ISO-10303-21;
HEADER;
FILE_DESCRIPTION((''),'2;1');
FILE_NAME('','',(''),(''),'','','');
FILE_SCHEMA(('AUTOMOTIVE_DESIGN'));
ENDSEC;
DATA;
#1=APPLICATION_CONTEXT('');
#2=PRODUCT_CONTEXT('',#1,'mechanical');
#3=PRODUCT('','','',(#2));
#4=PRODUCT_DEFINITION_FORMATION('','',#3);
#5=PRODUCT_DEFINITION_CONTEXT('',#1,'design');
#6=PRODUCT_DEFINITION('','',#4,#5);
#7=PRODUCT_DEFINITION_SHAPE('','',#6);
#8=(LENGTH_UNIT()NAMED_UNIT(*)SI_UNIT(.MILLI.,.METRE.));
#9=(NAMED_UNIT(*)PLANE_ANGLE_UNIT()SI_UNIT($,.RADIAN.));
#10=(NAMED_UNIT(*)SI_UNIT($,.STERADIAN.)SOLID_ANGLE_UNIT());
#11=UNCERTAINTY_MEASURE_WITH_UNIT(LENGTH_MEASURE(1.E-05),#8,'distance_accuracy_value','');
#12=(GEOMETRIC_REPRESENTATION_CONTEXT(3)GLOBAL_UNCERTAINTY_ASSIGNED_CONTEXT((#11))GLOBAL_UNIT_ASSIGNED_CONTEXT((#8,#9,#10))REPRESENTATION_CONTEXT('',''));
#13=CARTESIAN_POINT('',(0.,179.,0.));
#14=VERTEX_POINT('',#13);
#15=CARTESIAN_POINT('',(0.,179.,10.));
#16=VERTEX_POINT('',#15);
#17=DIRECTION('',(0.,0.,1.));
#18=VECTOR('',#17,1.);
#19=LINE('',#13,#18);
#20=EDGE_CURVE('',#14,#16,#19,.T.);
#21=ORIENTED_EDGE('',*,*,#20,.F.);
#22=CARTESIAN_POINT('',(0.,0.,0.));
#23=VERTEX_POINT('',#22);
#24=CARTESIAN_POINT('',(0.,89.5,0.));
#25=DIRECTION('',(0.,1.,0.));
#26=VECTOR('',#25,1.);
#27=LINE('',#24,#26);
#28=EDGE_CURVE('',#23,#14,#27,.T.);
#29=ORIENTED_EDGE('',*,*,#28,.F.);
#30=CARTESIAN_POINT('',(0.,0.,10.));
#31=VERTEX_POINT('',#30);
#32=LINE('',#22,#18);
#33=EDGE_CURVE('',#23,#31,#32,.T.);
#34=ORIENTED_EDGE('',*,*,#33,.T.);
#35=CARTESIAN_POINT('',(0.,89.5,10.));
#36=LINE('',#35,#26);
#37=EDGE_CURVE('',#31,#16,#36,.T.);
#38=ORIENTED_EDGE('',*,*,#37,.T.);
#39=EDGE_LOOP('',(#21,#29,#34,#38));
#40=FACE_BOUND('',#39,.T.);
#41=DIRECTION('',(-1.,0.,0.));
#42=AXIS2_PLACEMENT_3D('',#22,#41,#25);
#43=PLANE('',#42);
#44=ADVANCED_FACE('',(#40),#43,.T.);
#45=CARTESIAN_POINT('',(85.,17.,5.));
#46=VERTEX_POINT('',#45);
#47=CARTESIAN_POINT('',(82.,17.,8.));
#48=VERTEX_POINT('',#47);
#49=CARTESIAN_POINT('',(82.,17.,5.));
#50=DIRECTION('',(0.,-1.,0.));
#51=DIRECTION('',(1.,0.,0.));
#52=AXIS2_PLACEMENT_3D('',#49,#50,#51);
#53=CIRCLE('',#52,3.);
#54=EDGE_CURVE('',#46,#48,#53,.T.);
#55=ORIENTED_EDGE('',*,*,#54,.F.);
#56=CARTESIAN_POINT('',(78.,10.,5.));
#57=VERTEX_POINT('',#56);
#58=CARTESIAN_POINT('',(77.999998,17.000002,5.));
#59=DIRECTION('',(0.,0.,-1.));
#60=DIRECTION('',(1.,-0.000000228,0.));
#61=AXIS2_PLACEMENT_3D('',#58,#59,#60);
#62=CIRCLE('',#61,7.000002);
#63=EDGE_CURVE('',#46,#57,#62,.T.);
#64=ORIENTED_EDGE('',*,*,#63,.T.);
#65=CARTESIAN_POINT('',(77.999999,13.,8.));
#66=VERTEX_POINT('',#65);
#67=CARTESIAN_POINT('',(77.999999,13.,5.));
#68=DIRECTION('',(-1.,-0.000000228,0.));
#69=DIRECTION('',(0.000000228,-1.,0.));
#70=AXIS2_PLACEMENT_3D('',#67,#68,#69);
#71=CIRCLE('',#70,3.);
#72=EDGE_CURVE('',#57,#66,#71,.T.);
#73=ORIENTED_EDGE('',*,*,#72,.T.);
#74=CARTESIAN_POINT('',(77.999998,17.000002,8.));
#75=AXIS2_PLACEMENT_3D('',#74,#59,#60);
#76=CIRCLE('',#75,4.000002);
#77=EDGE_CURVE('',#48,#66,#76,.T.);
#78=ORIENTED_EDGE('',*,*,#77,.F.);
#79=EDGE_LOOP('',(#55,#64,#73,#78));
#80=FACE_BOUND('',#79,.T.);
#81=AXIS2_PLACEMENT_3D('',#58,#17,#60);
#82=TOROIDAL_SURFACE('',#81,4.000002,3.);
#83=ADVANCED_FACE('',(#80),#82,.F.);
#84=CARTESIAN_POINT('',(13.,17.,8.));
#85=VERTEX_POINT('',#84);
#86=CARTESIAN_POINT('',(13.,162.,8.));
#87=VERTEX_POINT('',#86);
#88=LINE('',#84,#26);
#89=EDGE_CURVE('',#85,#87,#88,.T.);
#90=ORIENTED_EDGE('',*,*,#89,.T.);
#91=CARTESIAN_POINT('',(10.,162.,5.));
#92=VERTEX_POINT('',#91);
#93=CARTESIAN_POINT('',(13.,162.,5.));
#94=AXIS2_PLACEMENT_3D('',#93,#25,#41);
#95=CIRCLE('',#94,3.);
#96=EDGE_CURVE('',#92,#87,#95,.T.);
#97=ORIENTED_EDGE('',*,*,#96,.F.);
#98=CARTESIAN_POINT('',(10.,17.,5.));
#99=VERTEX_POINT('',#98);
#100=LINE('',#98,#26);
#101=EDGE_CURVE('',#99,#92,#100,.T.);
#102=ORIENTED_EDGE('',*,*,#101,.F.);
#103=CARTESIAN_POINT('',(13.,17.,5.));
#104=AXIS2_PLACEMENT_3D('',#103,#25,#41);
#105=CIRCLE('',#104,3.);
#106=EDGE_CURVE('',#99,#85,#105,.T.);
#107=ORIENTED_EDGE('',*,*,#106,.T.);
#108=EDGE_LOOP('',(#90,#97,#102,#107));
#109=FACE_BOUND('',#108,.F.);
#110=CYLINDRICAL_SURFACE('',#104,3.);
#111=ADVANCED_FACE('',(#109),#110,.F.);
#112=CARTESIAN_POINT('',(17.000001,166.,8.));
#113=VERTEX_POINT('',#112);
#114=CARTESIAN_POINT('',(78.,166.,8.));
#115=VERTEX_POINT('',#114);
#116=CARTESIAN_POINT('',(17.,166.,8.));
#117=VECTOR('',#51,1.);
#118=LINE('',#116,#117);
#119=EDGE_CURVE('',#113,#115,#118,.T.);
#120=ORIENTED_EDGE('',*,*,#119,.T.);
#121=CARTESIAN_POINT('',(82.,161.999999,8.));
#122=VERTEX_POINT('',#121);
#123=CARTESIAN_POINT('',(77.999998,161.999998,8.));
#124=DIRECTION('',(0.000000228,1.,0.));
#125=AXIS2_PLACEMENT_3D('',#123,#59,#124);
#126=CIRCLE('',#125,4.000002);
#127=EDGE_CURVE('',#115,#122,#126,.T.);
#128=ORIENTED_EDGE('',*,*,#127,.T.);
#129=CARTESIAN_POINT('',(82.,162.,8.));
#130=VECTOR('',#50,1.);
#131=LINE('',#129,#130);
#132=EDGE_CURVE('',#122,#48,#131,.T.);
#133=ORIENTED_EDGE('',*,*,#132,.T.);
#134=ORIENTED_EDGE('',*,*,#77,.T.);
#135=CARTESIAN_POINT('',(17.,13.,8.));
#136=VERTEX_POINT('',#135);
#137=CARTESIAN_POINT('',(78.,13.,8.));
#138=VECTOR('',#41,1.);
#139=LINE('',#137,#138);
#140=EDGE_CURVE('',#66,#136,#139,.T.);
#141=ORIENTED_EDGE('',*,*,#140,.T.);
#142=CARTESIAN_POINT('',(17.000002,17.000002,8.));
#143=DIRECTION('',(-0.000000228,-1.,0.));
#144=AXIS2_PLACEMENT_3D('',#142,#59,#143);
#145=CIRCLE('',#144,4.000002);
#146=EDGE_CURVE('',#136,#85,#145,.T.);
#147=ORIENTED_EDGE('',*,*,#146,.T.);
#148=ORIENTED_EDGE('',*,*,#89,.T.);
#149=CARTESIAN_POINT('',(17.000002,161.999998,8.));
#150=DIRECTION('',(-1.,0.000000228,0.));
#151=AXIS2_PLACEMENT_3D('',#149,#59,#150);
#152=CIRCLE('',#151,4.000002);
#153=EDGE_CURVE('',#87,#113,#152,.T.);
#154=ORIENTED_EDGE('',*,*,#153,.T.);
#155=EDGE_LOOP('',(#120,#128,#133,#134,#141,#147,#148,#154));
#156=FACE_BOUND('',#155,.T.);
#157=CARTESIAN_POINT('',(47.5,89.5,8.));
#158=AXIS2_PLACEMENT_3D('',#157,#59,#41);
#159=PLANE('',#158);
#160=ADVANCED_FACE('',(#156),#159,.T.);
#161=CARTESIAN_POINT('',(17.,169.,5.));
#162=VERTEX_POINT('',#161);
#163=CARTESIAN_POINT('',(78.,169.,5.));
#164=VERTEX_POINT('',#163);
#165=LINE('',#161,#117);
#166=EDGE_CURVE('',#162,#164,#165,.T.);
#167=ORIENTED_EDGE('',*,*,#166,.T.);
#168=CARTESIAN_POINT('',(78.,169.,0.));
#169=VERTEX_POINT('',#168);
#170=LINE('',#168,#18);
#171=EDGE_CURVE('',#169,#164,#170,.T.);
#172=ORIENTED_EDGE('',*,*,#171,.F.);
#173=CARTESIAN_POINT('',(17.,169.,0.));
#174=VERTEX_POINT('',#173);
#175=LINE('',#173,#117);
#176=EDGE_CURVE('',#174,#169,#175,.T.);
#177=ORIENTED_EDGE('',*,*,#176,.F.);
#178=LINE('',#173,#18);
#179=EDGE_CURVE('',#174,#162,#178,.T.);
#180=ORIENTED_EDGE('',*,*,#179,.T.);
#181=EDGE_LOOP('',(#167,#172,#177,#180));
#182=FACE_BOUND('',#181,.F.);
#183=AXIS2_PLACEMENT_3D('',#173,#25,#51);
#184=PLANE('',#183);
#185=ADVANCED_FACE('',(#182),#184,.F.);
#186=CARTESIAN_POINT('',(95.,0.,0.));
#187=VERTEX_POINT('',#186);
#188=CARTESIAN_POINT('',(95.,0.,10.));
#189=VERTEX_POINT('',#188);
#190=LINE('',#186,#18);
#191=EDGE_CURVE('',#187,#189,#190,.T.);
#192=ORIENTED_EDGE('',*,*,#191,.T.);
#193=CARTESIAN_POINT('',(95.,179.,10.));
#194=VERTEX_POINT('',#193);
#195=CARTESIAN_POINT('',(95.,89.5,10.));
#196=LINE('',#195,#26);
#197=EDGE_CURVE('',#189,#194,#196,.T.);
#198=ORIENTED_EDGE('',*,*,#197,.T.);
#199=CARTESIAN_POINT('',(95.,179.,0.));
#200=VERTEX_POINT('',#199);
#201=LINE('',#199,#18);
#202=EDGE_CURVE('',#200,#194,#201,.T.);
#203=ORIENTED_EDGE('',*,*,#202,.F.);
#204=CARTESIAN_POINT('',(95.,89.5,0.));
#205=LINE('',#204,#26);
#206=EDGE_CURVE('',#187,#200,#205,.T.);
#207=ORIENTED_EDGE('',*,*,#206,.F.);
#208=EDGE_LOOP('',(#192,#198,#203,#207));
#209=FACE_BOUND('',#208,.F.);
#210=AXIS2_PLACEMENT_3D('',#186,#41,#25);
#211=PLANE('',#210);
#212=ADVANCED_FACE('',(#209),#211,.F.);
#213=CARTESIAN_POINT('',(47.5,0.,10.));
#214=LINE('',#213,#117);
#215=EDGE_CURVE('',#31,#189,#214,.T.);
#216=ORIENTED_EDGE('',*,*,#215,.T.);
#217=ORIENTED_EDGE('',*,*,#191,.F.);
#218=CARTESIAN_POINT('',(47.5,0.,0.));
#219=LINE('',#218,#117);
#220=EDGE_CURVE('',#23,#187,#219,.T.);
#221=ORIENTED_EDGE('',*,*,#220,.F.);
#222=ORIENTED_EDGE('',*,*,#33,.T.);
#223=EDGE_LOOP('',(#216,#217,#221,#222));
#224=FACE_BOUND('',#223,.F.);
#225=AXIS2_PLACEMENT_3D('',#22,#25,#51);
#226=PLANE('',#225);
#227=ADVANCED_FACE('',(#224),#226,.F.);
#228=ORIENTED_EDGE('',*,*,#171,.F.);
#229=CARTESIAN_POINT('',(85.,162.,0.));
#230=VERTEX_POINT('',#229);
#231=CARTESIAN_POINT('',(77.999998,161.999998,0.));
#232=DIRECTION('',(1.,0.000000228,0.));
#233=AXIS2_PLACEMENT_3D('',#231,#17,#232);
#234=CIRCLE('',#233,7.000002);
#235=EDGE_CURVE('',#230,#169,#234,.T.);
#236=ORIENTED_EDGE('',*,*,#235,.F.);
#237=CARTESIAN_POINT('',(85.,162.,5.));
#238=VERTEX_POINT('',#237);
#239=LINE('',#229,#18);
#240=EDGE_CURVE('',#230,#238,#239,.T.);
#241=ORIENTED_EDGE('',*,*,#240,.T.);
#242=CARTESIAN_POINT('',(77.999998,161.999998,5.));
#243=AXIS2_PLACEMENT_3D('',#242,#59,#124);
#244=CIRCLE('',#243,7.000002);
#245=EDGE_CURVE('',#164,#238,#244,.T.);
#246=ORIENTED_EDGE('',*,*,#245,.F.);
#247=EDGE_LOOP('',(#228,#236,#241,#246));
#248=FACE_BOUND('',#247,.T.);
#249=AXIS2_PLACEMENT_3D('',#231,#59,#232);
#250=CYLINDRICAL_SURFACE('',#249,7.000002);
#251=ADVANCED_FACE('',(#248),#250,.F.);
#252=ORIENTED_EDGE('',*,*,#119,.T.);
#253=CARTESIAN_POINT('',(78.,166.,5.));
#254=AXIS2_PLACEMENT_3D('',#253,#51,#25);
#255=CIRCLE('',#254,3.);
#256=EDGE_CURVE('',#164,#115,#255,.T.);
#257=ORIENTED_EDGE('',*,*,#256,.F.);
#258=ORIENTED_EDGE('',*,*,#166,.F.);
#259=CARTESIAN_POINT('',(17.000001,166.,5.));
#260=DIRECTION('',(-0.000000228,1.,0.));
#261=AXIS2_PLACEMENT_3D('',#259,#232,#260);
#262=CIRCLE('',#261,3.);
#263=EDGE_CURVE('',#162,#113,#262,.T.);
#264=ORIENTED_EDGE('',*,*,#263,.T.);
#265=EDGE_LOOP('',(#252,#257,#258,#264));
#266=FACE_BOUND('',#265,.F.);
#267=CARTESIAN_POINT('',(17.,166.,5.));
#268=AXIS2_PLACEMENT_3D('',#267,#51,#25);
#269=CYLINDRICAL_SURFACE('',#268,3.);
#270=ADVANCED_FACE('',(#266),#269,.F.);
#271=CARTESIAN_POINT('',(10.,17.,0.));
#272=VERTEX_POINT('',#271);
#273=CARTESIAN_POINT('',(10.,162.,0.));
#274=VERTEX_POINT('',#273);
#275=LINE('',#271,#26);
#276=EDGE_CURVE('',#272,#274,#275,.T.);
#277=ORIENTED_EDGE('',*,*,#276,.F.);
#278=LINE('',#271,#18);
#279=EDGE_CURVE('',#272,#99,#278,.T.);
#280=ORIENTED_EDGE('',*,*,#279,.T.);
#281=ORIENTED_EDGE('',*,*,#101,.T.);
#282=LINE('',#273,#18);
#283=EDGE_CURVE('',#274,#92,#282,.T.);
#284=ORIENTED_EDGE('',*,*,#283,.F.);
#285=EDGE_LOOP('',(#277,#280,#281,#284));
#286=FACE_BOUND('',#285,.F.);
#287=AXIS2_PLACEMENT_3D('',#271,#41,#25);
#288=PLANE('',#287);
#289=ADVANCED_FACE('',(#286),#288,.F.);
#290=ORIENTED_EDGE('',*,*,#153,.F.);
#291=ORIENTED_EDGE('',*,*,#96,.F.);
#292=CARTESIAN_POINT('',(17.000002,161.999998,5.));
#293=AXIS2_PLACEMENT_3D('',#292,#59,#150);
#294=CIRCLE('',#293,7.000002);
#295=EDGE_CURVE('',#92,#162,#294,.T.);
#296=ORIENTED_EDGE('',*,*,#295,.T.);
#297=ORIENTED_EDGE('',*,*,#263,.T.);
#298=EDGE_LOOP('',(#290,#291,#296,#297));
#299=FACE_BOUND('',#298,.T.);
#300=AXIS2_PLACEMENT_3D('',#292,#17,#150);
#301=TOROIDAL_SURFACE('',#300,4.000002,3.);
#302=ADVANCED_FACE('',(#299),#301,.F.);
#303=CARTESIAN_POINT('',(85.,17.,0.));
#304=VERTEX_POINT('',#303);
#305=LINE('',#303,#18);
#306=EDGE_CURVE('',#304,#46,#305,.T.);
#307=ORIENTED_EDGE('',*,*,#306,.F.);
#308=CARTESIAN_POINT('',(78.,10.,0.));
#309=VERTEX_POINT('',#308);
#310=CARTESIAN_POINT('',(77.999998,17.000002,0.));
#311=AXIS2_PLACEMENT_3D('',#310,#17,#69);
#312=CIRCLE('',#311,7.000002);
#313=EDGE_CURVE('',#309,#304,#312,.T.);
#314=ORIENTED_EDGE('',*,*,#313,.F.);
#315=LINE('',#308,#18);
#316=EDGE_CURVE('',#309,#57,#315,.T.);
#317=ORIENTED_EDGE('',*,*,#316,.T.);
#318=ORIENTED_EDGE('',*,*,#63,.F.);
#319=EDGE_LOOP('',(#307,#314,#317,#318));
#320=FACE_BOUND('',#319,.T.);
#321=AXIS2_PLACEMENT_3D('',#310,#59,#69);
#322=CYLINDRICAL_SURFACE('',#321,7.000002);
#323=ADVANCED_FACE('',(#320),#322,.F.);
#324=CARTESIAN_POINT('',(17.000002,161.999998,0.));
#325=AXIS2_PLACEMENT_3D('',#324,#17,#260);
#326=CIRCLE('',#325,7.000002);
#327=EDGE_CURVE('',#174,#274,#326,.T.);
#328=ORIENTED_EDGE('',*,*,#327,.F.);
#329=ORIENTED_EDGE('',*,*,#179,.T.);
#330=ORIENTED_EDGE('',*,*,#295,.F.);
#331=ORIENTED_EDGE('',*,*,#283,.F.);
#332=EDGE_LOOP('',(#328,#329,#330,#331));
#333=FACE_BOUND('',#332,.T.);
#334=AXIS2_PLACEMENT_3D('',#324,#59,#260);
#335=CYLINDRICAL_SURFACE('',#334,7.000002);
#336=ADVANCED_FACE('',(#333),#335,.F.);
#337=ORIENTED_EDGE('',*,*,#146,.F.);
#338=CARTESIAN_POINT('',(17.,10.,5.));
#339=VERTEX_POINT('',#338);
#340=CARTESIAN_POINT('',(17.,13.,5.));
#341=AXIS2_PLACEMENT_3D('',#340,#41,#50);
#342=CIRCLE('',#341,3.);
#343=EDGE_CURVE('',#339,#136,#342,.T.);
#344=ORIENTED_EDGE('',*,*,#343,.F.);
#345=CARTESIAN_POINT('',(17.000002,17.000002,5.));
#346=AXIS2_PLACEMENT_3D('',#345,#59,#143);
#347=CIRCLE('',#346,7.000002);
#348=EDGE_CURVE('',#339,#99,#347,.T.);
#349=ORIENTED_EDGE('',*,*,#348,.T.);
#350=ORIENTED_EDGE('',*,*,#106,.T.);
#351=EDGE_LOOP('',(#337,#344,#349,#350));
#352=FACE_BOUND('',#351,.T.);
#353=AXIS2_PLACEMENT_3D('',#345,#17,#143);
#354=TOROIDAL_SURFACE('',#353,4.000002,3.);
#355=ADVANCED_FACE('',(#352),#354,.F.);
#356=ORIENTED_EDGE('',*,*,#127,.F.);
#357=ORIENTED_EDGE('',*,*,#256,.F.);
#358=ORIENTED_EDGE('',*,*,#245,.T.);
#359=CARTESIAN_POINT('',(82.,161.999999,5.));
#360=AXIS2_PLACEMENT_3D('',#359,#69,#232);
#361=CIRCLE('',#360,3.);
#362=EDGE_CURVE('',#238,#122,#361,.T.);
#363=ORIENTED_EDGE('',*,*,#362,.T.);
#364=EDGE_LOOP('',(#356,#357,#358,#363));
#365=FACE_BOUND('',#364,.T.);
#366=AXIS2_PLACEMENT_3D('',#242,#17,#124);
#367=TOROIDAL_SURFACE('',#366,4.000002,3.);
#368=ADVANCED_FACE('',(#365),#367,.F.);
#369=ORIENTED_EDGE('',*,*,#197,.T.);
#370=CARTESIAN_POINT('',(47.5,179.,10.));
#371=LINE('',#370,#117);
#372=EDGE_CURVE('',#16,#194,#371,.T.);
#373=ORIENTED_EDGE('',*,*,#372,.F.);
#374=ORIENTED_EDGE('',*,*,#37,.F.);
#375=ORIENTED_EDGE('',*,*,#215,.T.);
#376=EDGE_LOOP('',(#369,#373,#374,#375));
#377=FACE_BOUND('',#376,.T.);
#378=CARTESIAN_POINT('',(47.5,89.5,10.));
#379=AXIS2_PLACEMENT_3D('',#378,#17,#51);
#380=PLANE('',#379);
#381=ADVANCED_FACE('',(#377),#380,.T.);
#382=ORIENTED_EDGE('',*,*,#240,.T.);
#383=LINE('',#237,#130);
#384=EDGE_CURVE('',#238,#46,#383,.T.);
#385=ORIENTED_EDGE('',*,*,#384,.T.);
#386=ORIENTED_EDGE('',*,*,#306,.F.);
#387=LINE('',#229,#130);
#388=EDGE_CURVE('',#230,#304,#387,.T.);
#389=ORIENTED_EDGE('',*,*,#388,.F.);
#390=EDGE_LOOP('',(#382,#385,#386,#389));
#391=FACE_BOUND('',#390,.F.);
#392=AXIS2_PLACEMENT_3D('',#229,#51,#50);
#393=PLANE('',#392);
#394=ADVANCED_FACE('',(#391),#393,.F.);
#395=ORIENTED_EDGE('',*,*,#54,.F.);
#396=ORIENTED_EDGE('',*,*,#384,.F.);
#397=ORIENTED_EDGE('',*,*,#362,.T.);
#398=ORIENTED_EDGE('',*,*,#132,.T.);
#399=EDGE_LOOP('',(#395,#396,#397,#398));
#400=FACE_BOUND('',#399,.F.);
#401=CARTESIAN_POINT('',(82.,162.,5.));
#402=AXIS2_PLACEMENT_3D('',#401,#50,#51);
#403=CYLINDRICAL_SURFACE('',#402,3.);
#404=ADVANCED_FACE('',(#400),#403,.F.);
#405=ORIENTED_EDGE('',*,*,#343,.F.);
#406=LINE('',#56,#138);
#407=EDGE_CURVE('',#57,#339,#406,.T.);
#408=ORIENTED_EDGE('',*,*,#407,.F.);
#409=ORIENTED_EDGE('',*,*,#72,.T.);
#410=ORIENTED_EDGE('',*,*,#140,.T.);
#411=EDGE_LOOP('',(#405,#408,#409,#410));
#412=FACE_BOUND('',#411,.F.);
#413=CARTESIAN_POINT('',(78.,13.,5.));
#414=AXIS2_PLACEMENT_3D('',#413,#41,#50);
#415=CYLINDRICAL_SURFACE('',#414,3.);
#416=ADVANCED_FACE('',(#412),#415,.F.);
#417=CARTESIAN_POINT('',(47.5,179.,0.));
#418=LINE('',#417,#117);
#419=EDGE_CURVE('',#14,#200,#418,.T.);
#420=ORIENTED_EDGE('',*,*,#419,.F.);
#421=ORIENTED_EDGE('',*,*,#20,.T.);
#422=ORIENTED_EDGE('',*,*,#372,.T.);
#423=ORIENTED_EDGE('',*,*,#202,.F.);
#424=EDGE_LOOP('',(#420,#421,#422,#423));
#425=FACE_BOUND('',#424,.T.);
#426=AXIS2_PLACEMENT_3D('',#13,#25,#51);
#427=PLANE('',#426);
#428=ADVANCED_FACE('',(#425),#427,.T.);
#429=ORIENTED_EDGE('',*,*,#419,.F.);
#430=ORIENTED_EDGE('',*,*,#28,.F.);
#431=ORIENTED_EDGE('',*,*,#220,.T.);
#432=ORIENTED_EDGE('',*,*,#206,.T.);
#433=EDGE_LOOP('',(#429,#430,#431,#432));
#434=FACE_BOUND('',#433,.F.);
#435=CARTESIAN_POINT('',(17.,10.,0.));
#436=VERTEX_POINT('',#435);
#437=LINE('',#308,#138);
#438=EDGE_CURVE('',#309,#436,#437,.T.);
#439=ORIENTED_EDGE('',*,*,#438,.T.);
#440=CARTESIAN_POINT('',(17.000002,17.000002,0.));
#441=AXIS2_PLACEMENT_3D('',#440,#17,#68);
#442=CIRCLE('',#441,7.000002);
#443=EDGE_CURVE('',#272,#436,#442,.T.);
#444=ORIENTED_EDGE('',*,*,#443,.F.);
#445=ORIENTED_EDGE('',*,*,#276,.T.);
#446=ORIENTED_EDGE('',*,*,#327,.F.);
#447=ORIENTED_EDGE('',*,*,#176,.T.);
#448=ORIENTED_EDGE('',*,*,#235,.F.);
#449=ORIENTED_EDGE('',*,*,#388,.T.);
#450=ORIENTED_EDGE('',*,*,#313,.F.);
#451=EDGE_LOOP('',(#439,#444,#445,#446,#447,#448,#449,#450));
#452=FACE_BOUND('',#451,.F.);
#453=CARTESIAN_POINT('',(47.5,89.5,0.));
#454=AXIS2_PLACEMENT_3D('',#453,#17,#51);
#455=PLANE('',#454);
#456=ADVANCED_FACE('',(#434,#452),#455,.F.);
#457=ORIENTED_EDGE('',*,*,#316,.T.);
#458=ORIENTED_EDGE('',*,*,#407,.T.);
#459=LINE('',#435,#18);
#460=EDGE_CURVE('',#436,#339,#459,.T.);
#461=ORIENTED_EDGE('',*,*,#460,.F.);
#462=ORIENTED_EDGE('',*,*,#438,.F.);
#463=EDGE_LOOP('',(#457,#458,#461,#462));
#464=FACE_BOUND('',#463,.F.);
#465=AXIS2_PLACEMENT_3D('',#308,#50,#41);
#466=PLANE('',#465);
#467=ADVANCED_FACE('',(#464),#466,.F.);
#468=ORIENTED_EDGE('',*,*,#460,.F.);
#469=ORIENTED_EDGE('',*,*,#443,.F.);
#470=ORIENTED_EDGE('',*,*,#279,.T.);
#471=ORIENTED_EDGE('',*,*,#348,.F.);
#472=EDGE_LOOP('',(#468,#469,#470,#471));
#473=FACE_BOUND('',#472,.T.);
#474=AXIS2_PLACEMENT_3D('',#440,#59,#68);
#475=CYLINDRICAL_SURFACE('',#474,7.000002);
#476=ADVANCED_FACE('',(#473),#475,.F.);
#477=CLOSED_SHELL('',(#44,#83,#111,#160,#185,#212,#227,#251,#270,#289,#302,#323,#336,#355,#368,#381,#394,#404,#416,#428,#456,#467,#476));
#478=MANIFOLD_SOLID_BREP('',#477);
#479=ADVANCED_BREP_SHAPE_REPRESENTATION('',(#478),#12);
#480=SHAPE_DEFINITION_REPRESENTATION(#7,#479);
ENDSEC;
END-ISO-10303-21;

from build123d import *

# Parameters (mm, degrees)
SKETCH001_W  = 95
SKETCH001_H  = 179
PAD001_DEPTH = 10
POCKET_DEPTH = 8
FILLET_R     = 3


with BuildPart() as part:
    # Sketch001 → Pad001 (new body)
    with BuildSketch(Plane.XY):
        with Locations((47.5, 89.5)):
            Rectangle(SKETCH001_W, SKETCH001_H)
    extrude(amount=PAD001_DEPTH)

    # Sketch → Pocket (cut)
    with BuildSketch(Plane.XY):
        with BuildLine():
            Line((17, 169), (78, 169))
            ThreePointArc((85, 162), (82.949747, 166.949747), (78, 169))
            Line((85, 162), (85, 17))
            ThreePointArc((78, 10), (82.949747, 12.050253), (85, 17))
            Line((78, 10), (17, 10))
            ThreePointArc((10, 17), (12.050253, 12.050253), (17, 10))
            Line((10, 17), (10, 162))
            ThreePointArc((17, 169), (12.050253, 166.949747), (10, 162))
        make_face()
    extrude(amount=POCKET_DEPTH, mode=Mode.SUBTRACT)

    # Fillet
    fillet_edges = [part.edges().sort_by_distance(p)[0] for p in [
        (10, 89.5, 8),
    ]]
    fillet(fillet_edges, radius=FILLET_R)


solid = part.part
